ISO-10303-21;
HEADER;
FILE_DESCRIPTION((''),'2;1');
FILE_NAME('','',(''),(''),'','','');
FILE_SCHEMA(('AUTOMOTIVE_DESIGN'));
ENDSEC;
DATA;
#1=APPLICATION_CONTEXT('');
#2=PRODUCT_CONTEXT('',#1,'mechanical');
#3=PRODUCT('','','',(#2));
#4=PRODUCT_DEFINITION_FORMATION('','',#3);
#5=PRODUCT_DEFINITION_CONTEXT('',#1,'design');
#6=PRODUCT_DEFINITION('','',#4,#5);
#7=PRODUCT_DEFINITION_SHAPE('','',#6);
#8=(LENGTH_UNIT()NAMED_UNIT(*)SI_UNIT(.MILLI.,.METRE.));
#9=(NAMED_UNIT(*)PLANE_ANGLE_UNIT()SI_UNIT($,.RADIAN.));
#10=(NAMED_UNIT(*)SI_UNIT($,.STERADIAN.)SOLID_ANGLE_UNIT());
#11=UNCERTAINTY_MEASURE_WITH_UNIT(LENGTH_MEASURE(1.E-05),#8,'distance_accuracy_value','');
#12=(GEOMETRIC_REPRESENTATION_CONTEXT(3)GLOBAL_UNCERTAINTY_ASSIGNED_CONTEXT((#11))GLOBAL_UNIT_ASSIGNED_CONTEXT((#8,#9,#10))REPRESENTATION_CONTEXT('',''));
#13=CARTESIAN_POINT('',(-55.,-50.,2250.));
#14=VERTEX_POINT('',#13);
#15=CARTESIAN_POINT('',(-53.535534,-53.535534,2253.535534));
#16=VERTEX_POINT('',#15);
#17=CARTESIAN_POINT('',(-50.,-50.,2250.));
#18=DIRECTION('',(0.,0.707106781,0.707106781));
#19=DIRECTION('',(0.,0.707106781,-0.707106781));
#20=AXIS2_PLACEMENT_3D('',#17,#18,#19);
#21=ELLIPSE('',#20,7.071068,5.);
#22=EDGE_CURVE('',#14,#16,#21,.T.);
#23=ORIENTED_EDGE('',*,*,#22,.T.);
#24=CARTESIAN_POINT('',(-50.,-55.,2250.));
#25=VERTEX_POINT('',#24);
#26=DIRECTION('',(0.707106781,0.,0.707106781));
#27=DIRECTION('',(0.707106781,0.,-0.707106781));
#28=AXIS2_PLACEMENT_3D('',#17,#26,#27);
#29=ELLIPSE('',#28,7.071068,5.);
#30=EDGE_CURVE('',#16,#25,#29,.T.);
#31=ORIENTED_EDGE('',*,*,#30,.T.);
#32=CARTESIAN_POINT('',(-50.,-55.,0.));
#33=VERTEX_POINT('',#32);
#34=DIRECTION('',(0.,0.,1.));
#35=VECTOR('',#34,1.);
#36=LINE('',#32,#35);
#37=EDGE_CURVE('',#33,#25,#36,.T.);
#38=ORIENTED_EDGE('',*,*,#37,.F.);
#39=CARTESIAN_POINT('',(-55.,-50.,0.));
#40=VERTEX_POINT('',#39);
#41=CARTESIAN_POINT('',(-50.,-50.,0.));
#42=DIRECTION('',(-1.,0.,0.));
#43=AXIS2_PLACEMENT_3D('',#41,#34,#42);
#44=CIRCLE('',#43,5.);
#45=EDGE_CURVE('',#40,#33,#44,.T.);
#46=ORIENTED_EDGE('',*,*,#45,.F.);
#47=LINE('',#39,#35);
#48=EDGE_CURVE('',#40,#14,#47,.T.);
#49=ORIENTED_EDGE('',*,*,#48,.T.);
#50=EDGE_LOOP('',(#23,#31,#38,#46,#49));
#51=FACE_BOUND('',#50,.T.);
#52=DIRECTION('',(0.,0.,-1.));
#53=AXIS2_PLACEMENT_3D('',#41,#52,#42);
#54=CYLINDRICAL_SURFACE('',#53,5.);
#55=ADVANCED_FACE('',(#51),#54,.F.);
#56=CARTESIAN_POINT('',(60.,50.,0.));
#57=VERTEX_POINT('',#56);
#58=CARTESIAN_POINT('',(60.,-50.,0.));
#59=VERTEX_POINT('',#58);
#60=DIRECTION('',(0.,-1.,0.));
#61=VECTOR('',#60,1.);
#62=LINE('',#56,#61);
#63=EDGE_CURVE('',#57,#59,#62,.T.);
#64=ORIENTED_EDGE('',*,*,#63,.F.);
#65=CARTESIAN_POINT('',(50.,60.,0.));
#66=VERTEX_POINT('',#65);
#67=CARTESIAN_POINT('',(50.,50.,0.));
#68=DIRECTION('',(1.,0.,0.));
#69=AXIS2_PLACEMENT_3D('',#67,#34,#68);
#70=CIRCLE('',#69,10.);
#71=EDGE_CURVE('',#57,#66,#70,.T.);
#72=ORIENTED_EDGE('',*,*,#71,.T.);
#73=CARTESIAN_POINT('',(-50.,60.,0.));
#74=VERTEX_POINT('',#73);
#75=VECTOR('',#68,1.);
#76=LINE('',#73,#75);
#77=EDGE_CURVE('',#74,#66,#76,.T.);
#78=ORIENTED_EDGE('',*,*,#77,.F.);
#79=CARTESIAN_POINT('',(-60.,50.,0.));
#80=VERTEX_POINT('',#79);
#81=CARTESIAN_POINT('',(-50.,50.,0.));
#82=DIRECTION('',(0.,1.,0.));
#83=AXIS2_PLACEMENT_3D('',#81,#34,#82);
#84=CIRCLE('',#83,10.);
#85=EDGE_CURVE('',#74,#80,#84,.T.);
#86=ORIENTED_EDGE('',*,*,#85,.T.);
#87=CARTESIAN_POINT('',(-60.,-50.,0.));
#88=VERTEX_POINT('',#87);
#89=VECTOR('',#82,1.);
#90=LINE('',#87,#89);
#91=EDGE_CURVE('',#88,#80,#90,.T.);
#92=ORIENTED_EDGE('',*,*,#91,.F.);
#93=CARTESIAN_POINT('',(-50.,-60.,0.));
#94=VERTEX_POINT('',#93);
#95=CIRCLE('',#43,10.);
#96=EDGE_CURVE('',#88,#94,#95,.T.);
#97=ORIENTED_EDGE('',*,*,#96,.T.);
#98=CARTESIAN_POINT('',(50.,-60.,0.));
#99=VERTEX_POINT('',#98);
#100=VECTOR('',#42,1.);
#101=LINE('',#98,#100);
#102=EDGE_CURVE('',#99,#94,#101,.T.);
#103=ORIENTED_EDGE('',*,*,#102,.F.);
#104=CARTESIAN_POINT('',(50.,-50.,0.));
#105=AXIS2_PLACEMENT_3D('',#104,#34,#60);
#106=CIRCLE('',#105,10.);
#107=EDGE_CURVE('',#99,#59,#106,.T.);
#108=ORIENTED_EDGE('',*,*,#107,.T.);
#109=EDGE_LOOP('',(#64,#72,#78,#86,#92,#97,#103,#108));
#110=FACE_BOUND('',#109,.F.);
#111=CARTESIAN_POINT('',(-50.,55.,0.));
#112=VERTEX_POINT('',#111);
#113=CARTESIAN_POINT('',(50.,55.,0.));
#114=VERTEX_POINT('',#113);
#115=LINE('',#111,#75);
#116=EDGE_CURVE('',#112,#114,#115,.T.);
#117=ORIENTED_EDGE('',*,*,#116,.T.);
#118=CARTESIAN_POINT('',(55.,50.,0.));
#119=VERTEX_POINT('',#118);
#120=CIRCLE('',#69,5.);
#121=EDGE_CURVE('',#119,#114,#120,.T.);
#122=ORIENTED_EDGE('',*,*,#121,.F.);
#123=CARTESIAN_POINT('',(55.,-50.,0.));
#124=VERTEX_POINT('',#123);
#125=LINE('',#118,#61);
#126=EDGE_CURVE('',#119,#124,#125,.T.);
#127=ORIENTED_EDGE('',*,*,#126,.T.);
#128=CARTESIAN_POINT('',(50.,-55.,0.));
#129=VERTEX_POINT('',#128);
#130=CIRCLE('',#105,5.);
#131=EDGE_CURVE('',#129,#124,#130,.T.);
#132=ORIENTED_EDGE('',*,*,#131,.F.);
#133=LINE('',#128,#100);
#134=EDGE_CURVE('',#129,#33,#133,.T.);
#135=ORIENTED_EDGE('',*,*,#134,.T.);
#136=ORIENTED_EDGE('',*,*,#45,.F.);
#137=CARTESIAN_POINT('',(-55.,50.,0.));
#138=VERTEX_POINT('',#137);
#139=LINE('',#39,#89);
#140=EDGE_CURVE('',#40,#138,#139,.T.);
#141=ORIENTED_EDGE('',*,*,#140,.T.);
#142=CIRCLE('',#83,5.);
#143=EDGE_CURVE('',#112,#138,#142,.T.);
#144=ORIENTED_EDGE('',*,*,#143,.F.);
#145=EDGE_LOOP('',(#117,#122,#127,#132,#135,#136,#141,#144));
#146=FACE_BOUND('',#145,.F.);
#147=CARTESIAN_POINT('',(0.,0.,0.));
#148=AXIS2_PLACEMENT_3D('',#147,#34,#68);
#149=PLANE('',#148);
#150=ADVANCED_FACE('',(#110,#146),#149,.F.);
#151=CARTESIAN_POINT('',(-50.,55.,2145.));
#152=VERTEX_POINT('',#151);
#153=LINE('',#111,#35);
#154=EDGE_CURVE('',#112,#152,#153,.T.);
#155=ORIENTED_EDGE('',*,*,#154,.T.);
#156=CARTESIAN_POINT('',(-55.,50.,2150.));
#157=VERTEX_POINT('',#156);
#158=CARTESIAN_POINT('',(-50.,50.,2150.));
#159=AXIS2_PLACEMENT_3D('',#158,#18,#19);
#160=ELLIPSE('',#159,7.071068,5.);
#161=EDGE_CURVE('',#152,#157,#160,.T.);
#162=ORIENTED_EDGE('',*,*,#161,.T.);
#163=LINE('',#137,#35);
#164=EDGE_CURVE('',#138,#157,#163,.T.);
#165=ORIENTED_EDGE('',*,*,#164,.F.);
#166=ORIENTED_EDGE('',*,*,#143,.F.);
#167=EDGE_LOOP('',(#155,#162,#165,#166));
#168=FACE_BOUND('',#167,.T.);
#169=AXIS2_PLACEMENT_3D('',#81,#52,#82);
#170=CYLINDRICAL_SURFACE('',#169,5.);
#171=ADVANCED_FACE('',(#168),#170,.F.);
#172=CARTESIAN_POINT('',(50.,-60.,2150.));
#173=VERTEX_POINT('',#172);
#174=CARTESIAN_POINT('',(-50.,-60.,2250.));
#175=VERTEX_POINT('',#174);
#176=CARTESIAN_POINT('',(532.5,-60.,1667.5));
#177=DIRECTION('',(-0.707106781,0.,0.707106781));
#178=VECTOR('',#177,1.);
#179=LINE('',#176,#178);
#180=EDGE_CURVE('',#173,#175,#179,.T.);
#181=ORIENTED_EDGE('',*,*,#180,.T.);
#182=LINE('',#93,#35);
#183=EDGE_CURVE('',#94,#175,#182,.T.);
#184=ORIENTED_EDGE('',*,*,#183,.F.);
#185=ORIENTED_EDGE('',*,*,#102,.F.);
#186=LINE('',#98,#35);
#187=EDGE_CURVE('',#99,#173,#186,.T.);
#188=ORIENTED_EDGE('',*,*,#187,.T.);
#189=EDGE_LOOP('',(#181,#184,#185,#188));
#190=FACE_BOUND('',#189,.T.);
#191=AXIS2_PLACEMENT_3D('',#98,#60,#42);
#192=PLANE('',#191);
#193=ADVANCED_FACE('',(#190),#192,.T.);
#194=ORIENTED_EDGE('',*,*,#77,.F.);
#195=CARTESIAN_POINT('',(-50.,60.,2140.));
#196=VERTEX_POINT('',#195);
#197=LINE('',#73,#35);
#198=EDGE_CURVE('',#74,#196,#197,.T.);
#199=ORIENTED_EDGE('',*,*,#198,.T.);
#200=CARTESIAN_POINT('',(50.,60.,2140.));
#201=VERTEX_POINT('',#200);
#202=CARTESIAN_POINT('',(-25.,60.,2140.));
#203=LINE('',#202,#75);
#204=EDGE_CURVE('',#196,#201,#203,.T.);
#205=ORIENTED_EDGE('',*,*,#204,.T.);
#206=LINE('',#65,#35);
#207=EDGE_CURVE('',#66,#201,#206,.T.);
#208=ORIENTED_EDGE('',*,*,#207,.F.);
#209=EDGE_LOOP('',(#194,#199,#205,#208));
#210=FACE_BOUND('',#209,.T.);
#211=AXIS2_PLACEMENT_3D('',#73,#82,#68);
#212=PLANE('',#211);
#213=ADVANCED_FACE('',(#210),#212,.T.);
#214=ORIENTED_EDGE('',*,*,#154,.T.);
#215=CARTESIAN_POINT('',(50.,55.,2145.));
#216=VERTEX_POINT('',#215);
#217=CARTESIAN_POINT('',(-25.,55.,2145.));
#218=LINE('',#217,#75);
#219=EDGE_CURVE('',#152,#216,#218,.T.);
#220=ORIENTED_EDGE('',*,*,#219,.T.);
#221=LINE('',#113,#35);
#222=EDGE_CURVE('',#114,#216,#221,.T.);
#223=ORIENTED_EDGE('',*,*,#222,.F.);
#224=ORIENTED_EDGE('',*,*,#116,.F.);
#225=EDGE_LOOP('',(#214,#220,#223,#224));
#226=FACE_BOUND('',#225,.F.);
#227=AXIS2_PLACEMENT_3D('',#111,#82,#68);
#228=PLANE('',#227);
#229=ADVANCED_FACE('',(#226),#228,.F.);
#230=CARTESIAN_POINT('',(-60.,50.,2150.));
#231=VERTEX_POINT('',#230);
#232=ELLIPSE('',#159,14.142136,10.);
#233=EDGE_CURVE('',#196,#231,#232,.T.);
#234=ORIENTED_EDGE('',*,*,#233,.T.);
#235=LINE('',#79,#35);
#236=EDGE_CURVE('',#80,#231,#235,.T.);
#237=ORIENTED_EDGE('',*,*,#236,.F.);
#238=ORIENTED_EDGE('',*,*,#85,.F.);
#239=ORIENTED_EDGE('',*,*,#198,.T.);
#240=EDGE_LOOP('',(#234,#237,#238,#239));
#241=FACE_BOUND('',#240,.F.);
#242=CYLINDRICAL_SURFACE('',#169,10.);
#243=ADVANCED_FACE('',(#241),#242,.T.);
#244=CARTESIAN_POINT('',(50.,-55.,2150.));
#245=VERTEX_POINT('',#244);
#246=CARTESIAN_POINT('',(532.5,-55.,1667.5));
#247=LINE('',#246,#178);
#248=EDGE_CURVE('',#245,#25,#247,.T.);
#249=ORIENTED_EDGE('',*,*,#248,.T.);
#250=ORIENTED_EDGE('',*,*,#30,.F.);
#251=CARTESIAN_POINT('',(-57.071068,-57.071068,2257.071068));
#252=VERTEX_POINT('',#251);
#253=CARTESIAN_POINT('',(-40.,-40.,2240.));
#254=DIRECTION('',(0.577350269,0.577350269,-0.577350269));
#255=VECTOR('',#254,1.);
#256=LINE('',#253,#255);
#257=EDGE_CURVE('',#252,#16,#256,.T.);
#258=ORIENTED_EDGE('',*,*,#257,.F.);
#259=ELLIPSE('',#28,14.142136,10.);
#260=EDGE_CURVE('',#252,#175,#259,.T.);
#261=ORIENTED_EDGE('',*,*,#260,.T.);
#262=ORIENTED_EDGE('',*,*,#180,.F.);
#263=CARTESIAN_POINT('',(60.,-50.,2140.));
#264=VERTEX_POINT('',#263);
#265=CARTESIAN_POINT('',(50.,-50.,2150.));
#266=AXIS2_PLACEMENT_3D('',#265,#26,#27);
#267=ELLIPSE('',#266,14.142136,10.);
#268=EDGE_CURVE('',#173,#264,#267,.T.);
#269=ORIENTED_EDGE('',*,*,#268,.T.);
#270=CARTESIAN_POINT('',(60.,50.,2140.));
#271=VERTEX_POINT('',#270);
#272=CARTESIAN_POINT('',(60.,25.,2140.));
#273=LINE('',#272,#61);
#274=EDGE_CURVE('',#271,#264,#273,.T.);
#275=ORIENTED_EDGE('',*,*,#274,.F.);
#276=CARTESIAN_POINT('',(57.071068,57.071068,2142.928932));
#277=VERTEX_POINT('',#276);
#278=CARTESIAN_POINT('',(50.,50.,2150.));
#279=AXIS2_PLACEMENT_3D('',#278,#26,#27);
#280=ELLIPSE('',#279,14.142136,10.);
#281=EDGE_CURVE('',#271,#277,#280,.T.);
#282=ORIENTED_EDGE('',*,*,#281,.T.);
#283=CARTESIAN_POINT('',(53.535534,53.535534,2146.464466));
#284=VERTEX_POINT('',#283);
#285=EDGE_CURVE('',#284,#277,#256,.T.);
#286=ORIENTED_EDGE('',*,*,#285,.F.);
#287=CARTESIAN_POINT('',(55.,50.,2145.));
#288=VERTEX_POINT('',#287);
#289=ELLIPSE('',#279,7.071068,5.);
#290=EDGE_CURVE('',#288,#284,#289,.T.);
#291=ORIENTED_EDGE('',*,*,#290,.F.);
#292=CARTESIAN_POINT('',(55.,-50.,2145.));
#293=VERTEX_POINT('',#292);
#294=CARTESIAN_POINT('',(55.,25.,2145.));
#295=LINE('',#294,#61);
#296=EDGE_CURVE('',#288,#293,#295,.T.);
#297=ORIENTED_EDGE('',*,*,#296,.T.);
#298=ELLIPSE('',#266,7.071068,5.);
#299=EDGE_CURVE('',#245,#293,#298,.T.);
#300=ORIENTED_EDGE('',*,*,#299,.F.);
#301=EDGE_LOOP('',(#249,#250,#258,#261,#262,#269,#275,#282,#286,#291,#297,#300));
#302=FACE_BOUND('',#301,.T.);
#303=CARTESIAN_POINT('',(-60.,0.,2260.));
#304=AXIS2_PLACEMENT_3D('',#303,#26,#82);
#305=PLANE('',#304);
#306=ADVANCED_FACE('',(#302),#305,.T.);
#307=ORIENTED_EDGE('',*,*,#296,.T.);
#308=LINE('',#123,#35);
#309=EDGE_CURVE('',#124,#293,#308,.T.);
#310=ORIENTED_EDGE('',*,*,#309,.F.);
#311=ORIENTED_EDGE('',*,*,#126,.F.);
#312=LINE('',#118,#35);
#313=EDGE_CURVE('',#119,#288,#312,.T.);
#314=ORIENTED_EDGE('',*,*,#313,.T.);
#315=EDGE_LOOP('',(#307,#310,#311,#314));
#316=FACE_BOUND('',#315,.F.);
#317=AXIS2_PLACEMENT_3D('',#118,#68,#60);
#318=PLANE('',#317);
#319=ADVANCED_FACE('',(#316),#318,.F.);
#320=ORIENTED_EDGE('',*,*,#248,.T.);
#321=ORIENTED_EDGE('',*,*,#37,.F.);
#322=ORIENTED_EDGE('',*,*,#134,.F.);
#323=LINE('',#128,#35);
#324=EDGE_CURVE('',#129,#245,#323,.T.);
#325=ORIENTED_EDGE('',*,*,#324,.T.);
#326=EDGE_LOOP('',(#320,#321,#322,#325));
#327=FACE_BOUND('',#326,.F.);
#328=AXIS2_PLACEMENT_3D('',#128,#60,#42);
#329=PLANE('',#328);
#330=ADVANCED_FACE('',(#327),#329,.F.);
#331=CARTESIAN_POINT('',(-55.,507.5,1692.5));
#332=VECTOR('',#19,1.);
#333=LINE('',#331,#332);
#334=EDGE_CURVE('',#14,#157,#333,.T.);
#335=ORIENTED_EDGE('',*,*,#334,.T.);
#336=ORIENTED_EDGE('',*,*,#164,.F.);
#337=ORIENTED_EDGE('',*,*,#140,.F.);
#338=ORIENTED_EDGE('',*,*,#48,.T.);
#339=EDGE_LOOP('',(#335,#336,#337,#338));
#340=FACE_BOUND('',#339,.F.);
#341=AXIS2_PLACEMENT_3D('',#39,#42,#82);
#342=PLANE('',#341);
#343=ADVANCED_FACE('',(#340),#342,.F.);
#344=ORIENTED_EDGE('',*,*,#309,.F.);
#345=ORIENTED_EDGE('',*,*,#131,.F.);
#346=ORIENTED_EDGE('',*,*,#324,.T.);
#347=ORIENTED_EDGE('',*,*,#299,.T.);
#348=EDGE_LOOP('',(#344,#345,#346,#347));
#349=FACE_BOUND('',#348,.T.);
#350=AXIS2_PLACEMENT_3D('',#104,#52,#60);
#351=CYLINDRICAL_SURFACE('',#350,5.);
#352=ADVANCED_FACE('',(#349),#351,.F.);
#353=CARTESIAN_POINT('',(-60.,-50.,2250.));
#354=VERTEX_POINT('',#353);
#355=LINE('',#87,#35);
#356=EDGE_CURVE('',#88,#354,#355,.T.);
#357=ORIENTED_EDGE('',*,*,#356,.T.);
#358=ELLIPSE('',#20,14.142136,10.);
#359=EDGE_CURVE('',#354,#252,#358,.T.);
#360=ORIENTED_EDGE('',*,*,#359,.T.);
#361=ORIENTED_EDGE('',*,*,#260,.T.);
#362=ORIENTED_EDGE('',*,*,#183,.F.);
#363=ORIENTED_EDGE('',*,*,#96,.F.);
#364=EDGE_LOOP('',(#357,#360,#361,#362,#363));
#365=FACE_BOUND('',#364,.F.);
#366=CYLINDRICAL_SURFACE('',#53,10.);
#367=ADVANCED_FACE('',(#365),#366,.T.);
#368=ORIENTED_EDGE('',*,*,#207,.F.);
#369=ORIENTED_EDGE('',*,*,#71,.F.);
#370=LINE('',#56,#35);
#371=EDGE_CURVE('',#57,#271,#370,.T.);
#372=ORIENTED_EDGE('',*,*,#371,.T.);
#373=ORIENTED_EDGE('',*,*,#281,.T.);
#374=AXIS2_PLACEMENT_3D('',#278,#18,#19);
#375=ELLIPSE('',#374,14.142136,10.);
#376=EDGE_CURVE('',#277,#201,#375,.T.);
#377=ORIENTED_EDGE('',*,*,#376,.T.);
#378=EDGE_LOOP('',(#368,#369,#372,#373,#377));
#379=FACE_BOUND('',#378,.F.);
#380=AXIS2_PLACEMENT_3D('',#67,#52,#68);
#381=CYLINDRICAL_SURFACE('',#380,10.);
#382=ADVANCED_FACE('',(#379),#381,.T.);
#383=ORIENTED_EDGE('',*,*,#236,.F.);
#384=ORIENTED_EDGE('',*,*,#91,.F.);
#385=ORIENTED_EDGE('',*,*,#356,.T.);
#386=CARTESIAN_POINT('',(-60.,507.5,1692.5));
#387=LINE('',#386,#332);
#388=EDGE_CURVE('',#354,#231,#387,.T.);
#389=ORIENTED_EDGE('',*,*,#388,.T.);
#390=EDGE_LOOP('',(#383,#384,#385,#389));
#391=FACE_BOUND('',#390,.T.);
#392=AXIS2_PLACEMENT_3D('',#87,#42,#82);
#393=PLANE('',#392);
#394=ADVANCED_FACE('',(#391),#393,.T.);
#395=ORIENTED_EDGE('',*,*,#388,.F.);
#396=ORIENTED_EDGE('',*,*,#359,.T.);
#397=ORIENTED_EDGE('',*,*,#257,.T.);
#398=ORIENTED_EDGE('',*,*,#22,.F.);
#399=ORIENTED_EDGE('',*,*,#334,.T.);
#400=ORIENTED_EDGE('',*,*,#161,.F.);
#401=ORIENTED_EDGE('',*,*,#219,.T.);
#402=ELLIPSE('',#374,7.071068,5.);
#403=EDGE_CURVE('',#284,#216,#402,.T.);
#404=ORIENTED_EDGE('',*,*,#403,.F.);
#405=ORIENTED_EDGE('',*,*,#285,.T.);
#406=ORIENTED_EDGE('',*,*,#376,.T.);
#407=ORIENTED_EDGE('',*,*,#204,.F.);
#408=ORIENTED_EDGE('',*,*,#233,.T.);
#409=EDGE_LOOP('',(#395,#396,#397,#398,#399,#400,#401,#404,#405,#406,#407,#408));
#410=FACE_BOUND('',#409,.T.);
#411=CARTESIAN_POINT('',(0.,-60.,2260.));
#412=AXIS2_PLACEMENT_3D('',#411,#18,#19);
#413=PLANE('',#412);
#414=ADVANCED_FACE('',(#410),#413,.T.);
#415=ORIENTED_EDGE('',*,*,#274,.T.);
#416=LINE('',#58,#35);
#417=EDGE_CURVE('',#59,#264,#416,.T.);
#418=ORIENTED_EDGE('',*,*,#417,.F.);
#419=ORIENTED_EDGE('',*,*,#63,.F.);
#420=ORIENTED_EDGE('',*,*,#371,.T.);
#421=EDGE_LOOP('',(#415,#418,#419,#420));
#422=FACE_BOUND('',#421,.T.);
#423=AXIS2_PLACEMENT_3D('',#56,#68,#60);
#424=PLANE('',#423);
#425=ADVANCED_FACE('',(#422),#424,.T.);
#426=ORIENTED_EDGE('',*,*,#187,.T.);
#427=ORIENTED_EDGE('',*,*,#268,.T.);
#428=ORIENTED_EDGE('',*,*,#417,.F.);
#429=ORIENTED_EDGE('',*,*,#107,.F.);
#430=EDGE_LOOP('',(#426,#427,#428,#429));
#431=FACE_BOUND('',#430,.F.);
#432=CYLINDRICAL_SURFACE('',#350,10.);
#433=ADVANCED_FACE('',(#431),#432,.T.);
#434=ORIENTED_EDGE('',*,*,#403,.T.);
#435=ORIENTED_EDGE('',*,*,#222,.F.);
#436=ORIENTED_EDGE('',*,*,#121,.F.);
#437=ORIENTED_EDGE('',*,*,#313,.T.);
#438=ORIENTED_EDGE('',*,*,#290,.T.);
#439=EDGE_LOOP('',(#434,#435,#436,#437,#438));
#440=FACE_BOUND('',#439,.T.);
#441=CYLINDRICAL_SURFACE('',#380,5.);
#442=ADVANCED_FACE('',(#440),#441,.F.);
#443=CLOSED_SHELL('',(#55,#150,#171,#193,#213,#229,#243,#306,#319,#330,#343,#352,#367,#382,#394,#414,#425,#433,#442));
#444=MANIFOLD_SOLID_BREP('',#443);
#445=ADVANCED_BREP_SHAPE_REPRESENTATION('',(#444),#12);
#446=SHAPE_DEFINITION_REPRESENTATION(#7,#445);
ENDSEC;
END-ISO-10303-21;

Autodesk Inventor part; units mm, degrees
ref_plane "Start Plane" through (0, 0, 0) normal (0, 0, 1) x (1, 0, 0)
ref_plane "End Plane" through (0, 0, 2257.0711) normal (0, 0, 1) x (1, 0, 0)
sketch "Sketch" plane through (0, 0, 0) normal (0, 0, 1) x (1, 0, 0)
  line L0 (-60, -50) -> (-60, 50)
  line L1 (-50, 60) -> (50, 60)
  line L2 (60, 50) -> (60, -50)
  line L3 (50, -60) -> (-50, -60)
  arc A0 (-60, -50) -> (-50, -60) centre (-50, -50) ccw
  arc A1 (60, 50) -> (50, 60) centre (50, 50) ccw
  arc A2 (-50, 60) -> (-60, 50) centre (-50, 50) ccw
  arc A3 (50, -60) -> (60, -50) centre (50, -50) ccw
  arc A4 (-50, 55) -> (-55, 50) centre (-50, 50) ccw
  line L4 (-50, 55) -> (50, 55)
  arc A5 (55, 50) -> (50, 55) centre (50, 50) ccw
  line L5 (55, 50) -> (55, -50)
  arc A6 (50, -55) -> (55, -50) centre (50, -50) ccw
  line L6 (50, -55) -> (-50, -55)
  arc A7 (-55, -50) -> (-50, -55) centre (-50, -50) ccw
  line L7 (-55, -50) -> (-55, 50)
  line L8 (0, 86.8995) -> (0, -86.8995) construction
  line L9 (-86.8995, 0) -> (86.8995, 0) construction
  dimension "d7" = 10
  dimension "d9" = 120
  dimension "d11" = 120
  dimension "d12" = 5
  dimension "d15" = 60
  dimension "d16" = 60
extrude "Body" add sketch "Sketch" along normal up to surface (2257.0711 mm away) from surface at 0
sketch "Sketch3" plane through (0, 0, 0) normal (0, 0, 1) x (1, 0, 0)
  line L0 (0, 0) -> (10, 0)
ref_plane "Work Plane3" through (0, 0, 0) normal (0, -1, 0) x (1, 0, 0)
ref_plane "Work Plane4" through (0, -60, 2260) normal (0, 0.7071, 0.7071) x (1, 0, 0)
split "Split1" plane through (0, -60, 2260) removes the side toward (0, 0.7071, 0.7071)
ref_plane "Work Plane5" through (-60, 0, 2260) normal (0.7071, 0, 0.7071) x (0.7071, 0, -0.7071)
split "Split2" plane through (-60, 0, 2260) removes the side toward (0.7071, 0, 0.7071)
sketch "Sketch4" plane through (0, 0, 0) normal (0, -1, 0) x (1, 0, 0)
  line L0 (-2, 0) -> (12, 0) projected
  line L1 (-2, 2257.0711) -> (12, 2257.0711) projected
  dimension "d18" = 2257.0711
equation "\"d7\" = G_IR"
equation "\"d9\" = G_W"
equation "\"d11\" = G_H"
equation "\"d12\" = G_T"
equation "\"d15\" = 0.5 * d9"
equation "\"d16\" = 0.5 * d11"
equation "\"d3\" = G_L"
equation "\"G_W\" = 120"
equation "\"G_H\" = 120"
equation "\"G_T\" = 5"
equation "\"G_IR\" = 10"
equation "\"G_L\" = d18"
equation "\"G_OFFSET_START\" = 0"
equation "\"G_OFFSET_END\" = 57.07107"
equation "\"d14\" = G_OFFSET_END + B_L"
equation "\"B_L\" = 2200"
properties part number "ISO 10799-2 - 120x120x5 - 2257,07" material "Steel, Mild"
